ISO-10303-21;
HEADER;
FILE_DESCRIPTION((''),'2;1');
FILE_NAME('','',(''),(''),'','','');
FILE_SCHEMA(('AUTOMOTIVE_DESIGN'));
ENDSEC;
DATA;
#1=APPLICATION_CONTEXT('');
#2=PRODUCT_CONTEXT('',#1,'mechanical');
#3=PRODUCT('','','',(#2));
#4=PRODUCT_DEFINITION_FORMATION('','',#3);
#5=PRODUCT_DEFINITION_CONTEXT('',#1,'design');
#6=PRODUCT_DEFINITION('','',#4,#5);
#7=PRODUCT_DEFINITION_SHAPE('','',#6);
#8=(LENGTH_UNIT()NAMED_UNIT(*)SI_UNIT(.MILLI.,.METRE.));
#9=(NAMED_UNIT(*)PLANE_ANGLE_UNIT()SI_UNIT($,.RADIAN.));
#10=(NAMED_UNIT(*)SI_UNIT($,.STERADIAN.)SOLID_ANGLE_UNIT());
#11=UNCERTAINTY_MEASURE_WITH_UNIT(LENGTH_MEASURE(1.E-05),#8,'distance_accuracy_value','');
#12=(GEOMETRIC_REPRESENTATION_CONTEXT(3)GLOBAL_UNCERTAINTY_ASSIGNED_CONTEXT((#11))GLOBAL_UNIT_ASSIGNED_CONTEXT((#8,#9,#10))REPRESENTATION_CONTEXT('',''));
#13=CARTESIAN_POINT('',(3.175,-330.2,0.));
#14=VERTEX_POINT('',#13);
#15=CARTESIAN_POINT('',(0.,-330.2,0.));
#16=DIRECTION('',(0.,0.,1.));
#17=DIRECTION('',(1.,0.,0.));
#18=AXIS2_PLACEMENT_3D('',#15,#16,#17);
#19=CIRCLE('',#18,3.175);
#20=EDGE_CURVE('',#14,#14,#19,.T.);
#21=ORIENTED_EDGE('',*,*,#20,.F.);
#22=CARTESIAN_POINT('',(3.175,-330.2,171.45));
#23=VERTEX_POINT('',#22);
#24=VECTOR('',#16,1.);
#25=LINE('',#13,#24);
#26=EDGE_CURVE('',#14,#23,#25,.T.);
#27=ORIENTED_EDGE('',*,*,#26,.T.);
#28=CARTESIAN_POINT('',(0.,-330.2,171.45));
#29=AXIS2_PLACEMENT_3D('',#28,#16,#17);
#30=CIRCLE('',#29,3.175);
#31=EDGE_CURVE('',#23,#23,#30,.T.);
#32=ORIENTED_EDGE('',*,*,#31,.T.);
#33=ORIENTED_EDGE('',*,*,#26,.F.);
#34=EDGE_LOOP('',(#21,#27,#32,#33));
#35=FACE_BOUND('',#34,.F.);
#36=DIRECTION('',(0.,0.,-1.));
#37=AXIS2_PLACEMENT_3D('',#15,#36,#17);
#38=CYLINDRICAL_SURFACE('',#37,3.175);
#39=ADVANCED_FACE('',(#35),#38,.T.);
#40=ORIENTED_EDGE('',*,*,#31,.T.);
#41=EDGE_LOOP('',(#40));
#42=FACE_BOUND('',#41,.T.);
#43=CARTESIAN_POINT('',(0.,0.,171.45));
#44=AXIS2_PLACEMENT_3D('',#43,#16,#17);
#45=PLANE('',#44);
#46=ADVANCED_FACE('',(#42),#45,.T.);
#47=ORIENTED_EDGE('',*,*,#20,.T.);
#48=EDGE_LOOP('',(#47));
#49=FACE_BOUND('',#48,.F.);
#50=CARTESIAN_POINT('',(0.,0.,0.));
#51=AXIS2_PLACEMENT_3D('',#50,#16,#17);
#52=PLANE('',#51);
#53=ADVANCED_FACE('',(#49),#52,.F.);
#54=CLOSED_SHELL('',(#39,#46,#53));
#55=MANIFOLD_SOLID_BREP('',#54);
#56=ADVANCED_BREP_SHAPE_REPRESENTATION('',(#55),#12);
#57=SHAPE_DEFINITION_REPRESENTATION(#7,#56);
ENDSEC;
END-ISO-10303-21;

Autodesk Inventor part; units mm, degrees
ref_plane "YZ Plane" through (0, 0, 0) normal (1, 0, 0) x (0, 1, 0)
ref_plane "XZ Plane" through (0, 0, 0) normal (0, 1, 0) x (-1, 0, 0)
ref_plane "XY Plane" through (0, 0, 0) normal (0, 0, 1) x (1, 0, 0)
sketch "Sketch1" plane through (0, 0, 0) normal (0, 0, 1) x (1, 0, 0)
  circle A0 centre (0, -330.2) radius 3.175
  point P0 (0, 0)
  dimension "d1" = 6.35
  dimension "d1" = 6.35
extrude "Extrusion1" add sketch "Sketch1" along normal blind 171.45
properties part number "standoffs"
